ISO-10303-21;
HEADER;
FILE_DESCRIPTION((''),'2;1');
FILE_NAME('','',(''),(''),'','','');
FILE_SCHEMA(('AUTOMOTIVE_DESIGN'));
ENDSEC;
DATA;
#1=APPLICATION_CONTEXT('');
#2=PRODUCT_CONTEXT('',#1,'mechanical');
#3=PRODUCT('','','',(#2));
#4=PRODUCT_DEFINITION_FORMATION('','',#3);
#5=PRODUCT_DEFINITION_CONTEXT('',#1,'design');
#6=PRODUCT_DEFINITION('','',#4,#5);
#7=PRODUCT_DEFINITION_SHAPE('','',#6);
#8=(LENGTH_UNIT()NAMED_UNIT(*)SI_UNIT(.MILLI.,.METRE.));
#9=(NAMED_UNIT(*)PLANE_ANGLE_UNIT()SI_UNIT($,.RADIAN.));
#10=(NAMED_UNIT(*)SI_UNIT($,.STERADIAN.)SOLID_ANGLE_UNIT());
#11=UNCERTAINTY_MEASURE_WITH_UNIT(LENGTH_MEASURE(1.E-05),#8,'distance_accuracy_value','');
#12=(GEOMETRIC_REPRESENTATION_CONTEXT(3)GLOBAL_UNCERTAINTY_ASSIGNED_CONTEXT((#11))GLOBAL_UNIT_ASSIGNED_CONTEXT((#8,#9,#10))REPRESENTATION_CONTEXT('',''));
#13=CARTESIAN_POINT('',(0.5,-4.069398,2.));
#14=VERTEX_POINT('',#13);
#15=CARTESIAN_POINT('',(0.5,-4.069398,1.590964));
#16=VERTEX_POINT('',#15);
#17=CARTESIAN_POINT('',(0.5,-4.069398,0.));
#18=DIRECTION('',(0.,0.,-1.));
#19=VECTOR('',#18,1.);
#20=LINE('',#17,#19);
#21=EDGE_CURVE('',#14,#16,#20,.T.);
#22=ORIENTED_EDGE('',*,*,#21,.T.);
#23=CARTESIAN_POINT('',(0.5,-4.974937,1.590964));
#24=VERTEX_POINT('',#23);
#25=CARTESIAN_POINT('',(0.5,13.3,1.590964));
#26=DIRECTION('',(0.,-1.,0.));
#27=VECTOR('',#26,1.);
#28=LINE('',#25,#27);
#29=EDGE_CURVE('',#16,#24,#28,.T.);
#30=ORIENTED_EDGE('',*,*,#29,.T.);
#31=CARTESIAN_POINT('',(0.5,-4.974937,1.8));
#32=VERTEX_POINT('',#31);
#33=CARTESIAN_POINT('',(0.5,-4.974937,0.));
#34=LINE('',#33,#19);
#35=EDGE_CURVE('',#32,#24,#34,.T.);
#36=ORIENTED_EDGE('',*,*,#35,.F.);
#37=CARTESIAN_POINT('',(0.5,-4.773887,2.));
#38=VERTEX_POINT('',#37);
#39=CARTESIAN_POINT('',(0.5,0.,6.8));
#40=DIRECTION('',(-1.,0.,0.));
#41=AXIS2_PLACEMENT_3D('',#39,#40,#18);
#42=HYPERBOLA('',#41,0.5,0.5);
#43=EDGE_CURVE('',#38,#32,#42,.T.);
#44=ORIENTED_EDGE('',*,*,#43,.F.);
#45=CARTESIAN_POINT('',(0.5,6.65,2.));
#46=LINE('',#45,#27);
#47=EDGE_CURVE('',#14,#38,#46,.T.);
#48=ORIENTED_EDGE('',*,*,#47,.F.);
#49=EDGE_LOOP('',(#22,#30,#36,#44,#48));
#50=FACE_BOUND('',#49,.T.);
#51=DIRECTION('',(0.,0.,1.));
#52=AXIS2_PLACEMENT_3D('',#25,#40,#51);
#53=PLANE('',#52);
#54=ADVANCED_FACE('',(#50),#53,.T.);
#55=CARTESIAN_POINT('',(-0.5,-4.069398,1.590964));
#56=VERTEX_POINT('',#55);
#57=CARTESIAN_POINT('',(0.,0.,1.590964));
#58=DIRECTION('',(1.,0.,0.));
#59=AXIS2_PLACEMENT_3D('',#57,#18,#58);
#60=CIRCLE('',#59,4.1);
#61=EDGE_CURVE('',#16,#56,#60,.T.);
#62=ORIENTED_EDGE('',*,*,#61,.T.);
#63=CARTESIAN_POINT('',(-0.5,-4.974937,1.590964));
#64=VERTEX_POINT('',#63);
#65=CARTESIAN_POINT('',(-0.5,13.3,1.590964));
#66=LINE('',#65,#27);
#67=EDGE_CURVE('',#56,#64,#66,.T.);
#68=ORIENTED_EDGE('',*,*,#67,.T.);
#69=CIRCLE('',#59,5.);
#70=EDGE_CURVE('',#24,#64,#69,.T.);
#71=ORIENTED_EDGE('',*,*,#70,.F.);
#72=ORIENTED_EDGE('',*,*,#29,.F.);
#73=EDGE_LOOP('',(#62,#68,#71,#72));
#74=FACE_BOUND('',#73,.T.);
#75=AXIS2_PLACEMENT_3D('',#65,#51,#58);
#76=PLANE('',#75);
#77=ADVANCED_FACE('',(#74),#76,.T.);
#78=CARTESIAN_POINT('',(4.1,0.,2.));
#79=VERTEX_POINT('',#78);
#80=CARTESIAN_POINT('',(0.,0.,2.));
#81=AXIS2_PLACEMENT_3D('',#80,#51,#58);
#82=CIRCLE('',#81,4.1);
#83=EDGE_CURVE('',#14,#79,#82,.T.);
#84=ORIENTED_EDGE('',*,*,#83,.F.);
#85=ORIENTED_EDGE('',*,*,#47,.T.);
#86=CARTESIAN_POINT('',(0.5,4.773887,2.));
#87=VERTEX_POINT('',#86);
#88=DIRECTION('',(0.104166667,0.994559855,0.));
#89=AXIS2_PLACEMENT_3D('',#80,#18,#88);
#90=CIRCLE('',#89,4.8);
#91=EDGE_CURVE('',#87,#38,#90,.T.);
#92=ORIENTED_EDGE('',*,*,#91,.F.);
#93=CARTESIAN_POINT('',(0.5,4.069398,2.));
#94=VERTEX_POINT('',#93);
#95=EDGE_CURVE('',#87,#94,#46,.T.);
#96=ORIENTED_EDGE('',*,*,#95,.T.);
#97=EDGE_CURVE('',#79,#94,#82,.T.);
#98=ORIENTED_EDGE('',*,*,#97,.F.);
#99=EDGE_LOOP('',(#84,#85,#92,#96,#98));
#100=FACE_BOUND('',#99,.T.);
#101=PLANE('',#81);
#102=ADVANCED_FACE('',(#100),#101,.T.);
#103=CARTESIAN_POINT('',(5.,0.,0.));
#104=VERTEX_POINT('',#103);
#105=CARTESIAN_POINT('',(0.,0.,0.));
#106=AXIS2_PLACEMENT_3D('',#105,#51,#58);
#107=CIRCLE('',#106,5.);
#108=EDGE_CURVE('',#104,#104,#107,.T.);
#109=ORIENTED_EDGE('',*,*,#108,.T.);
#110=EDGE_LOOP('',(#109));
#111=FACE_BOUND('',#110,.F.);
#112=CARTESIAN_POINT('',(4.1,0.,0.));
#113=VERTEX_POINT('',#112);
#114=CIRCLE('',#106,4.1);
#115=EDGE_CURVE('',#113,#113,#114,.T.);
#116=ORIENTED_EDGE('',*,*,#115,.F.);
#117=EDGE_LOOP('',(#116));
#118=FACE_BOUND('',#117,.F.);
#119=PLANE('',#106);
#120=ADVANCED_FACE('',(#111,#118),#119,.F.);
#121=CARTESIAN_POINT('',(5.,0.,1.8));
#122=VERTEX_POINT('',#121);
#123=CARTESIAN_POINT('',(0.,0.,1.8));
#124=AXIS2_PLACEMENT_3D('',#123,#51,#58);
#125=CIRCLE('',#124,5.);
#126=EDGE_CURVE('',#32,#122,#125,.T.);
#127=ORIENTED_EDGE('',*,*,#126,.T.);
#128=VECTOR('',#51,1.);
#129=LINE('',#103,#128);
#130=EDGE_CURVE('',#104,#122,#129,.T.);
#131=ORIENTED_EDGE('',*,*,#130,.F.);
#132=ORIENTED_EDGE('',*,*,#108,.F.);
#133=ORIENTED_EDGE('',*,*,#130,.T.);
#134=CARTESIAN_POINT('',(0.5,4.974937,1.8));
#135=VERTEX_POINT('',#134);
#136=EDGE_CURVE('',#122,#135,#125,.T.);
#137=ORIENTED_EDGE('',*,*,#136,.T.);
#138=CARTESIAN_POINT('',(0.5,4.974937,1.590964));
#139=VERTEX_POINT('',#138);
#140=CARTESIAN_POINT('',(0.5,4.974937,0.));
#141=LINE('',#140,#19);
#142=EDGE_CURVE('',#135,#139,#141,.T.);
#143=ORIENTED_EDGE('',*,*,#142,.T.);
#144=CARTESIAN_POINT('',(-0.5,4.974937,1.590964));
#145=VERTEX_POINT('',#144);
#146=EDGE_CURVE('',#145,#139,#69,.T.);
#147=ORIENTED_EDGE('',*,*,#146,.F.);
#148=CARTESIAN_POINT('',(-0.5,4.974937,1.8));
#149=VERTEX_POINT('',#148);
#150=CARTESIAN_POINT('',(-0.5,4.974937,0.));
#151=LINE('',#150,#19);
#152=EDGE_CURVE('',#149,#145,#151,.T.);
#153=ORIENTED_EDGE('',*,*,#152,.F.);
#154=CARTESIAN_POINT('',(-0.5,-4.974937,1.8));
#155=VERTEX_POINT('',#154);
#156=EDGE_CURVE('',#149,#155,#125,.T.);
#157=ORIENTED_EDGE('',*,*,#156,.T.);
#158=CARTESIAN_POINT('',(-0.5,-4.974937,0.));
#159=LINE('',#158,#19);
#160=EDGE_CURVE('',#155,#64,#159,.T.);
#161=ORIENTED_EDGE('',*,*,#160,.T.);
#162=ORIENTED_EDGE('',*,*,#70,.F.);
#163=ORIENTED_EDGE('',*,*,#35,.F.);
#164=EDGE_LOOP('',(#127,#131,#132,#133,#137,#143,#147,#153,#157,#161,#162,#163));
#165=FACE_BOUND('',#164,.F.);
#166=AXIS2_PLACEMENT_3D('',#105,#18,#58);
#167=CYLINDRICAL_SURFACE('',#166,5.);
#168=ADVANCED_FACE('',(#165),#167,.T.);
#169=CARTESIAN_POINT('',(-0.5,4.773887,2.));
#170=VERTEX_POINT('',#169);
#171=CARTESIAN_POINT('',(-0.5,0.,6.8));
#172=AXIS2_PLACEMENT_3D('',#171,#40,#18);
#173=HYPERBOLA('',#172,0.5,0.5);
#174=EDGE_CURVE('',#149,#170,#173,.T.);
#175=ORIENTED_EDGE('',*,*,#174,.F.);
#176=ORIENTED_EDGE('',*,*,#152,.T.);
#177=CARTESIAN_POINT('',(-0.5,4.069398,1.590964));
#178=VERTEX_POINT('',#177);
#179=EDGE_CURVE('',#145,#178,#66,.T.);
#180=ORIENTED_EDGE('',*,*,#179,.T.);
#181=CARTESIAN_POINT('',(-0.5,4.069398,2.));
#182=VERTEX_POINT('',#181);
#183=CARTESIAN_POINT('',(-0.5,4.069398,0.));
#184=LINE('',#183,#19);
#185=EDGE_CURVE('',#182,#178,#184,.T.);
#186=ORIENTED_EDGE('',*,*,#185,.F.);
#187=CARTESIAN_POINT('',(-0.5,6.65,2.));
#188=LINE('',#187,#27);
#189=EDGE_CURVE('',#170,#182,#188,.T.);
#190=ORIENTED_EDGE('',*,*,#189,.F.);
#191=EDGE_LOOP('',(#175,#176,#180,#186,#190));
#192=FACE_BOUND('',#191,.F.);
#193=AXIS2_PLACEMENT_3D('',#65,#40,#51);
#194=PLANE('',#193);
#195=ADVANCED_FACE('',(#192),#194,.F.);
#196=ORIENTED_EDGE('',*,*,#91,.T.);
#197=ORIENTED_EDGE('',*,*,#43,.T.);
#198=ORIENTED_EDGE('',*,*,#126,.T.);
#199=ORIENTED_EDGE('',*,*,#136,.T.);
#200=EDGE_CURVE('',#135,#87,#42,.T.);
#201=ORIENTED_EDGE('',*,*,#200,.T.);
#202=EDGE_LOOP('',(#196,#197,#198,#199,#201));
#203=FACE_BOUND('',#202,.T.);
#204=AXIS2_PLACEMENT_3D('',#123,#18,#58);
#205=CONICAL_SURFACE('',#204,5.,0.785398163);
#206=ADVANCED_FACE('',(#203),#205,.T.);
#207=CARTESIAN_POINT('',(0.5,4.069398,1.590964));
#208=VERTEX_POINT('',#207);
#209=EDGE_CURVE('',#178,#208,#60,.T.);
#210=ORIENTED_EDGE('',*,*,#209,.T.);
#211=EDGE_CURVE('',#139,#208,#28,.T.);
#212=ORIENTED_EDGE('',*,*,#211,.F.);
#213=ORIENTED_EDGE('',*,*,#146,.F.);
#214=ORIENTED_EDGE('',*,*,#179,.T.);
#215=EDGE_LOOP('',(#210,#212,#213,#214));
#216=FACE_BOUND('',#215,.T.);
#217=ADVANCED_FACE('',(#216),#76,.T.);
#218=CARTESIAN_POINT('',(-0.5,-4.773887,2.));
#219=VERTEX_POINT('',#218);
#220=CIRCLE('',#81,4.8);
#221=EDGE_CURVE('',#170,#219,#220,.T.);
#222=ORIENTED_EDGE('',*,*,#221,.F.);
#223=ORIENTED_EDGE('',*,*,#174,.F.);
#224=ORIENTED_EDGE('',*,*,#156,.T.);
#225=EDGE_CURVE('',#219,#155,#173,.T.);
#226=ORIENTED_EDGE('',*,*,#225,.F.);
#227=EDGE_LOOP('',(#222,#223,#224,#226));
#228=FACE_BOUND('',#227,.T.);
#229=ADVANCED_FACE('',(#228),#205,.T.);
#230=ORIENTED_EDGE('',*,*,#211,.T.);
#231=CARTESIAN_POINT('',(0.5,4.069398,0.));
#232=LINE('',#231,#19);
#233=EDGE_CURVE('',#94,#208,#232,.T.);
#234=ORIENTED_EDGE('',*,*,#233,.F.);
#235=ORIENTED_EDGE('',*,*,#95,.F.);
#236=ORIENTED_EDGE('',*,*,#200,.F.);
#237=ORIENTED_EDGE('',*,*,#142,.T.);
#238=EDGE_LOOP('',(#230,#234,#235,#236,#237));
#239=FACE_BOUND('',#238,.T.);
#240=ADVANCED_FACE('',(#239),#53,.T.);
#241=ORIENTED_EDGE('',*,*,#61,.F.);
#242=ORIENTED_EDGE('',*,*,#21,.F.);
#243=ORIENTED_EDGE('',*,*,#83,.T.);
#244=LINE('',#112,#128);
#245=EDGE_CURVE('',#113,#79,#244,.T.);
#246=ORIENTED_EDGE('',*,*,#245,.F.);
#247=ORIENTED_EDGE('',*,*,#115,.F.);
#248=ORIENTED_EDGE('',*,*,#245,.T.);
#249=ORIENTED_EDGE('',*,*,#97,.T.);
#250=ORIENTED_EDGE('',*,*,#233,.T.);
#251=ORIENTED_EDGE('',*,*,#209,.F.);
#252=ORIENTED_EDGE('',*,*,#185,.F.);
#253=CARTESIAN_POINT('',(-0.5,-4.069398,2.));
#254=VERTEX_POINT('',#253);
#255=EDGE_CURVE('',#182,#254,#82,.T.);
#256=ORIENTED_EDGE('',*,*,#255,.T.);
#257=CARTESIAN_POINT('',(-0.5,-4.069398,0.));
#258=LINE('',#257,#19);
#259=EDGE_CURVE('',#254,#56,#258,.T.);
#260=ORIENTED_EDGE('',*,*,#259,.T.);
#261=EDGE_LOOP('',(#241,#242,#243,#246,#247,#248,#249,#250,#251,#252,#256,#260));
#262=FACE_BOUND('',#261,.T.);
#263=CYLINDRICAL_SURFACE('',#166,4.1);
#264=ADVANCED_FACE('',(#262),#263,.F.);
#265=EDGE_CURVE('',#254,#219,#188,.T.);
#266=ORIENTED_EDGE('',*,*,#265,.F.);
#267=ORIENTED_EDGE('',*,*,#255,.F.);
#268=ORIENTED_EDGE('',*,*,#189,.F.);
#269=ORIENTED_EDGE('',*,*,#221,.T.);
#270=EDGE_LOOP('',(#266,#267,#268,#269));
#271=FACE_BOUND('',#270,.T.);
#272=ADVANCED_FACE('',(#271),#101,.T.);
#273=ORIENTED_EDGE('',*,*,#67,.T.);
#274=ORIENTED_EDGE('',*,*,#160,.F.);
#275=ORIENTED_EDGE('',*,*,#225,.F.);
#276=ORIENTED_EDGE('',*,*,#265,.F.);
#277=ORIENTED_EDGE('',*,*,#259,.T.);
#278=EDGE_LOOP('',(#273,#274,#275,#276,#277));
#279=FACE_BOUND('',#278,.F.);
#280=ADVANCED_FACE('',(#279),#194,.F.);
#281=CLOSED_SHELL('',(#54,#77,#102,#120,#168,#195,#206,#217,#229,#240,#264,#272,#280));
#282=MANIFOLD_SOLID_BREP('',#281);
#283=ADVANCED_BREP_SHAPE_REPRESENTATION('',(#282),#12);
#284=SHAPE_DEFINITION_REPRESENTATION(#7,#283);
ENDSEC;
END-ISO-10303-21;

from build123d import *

# Parameters (mm, degrees)
F0_R     = 5
F0_R_2   = 4.1
F1_DEPTH = 2
F2_SIZE  = 0.2
F3_W     = 1
F3_H     = 0.5
F4_DEPTH = 25


with BuildPart() as f1:
    # F0 (on Top) → F1 (new body)
    with BuildSketch(Plane.XY):
        Circle(F0_R)
        Circle(F0_R_2, mode=Mode.SUBTRACT)
    extrude(amount=F1_DEPTH)

    # F2
    f2_edges = [f1.edges().sort_by_distance(p)[0] for p in [
        (-5, 0, 2),
    ]]
    chamfer(f2_edges, length=F2_SIZE)


with BuildPart() as f4:
    # F3 (on Front) → F4 (new body)
    with BuildSketch(Plane.XZ):
        with Locations((0.5, 1.840964)):
            Rectangle(F3_W, F3_H)
    extrude(amount=F4_DEPTH)


with BuildPart() as f4_1:
    # F5: moved
    add(f4.part.moved(Location((-0.5, 13.3, 0))))


with BuildPart() as f1_1:
    add(f1.part)

    # F6: cut F4
    add(f4_1.part, mode=Mode.SUBTRACT)


solid = f1_1.part
